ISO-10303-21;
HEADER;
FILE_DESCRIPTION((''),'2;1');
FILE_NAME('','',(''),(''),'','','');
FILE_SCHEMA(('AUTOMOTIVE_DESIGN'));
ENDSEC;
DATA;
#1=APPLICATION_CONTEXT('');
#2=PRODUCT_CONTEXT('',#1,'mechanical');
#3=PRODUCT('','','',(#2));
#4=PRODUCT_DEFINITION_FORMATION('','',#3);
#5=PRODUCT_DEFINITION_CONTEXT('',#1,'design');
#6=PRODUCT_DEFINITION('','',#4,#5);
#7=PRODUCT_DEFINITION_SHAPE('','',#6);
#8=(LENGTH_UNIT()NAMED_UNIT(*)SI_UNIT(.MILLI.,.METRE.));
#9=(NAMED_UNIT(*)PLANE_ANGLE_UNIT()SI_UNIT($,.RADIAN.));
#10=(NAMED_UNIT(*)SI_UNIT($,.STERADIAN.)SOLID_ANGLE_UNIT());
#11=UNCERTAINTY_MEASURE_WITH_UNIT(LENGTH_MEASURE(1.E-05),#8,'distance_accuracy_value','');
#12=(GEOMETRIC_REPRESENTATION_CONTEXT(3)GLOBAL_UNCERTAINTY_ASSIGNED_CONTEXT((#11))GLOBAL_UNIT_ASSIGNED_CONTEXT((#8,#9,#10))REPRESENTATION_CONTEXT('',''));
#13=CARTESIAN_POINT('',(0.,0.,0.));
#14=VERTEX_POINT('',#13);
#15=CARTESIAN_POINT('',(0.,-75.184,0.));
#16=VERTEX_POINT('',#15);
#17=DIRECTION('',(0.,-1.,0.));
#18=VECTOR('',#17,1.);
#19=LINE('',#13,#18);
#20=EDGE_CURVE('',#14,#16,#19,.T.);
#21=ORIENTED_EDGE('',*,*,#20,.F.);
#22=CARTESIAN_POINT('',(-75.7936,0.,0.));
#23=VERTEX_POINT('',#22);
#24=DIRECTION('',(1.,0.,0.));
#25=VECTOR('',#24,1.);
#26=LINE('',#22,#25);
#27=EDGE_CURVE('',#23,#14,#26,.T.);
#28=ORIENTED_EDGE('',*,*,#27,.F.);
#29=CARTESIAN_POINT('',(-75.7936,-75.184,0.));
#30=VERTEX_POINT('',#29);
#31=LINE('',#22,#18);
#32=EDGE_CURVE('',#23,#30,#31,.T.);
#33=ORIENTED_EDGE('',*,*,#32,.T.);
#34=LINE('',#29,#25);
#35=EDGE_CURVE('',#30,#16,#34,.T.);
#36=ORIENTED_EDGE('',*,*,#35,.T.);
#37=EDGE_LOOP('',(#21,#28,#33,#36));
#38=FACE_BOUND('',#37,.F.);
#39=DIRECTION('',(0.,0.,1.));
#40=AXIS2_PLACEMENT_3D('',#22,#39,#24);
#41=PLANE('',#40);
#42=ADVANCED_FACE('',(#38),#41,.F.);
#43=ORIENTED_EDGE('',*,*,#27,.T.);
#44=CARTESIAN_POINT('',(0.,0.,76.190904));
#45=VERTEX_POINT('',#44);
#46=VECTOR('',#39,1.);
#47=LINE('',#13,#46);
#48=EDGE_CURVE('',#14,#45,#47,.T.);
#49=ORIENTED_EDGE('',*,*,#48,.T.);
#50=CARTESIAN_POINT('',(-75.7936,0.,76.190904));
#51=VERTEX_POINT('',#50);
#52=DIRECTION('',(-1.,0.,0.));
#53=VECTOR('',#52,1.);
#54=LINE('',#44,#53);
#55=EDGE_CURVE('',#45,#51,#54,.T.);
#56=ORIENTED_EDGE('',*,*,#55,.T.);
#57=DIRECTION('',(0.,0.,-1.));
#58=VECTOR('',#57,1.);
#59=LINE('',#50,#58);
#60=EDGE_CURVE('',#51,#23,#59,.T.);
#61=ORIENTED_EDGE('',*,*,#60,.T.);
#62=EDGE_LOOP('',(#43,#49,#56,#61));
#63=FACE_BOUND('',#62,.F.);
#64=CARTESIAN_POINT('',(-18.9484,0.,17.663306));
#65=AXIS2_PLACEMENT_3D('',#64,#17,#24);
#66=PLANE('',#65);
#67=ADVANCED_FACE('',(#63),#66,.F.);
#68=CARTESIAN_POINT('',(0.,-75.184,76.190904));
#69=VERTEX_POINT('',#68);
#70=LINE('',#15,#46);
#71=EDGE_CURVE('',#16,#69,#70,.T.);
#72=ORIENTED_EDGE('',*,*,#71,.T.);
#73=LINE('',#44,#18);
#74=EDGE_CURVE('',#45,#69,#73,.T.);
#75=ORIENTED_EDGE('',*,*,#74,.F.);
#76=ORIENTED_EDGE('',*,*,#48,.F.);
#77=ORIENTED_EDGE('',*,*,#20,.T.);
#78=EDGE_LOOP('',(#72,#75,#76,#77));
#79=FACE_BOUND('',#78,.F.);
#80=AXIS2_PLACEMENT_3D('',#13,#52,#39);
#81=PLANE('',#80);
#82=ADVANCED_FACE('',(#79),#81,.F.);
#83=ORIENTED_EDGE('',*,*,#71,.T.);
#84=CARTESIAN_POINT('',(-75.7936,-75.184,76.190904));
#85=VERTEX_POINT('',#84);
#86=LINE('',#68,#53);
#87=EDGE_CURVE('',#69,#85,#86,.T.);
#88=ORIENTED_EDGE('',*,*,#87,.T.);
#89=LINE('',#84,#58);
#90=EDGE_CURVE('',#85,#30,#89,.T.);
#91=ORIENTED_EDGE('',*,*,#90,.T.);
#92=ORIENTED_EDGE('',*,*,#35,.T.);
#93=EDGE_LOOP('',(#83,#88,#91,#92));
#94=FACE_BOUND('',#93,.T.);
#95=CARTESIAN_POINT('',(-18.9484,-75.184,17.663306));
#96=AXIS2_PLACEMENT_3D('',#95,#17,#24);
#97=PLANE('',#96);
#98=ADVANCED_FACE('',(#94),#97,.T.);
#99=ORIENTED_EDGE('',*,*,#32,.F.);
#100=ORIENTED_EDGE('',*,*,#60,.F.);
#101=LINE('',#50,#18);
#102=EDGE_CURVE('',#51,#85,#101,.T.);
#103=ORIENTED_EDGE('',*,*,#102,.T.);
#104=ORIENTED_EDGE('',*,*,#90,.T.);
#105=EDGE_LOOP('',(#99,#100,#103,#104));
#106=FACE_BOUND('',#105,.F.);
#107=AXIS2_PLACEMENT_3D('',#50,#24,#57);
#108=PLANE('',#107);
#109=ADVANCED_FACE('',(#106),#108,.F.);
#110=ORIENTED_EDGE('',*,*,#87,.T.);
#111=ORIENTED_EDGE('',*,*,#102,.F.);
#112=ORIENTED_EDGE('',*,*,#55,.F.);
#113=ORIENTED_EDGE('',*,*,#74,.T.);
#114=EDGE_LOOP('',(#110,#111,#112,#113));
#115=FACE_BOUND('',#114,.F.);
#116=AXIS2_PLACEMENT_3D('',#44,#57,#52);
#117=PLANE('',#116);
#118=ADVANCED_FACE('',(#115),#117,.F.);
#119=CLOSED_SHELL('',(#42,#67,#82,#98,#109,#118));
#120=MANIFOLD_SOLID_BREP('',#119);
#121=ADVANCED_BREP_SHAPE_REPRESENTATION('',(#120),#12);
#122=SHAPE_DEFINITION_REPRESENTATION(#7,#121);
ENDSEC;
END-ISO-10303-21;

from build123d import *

# Parameters (mm, degrees)
F0_W     = 37.8968
F0_H     = 35.3266112506
F1_DEPTH = 75.184


with BuildPart() as f1:
    # F0 (on Front) → F1 (new body)
    with BuildSketch(Plane.XZ):
        with Locations((-18.9484, 17.6633056253)):
            Rectangle(F0_W, F0_H)
        Polygon((-75.7936, 0), (-37.8968, 0), (-37.8968, 35.3266112506), (0, 35.3266112506), (0, 76.1909037828), (-75.7936, 76.1909037828), align=None)
    extrude(amount=F1_DEPTH)


solid = f1.part
